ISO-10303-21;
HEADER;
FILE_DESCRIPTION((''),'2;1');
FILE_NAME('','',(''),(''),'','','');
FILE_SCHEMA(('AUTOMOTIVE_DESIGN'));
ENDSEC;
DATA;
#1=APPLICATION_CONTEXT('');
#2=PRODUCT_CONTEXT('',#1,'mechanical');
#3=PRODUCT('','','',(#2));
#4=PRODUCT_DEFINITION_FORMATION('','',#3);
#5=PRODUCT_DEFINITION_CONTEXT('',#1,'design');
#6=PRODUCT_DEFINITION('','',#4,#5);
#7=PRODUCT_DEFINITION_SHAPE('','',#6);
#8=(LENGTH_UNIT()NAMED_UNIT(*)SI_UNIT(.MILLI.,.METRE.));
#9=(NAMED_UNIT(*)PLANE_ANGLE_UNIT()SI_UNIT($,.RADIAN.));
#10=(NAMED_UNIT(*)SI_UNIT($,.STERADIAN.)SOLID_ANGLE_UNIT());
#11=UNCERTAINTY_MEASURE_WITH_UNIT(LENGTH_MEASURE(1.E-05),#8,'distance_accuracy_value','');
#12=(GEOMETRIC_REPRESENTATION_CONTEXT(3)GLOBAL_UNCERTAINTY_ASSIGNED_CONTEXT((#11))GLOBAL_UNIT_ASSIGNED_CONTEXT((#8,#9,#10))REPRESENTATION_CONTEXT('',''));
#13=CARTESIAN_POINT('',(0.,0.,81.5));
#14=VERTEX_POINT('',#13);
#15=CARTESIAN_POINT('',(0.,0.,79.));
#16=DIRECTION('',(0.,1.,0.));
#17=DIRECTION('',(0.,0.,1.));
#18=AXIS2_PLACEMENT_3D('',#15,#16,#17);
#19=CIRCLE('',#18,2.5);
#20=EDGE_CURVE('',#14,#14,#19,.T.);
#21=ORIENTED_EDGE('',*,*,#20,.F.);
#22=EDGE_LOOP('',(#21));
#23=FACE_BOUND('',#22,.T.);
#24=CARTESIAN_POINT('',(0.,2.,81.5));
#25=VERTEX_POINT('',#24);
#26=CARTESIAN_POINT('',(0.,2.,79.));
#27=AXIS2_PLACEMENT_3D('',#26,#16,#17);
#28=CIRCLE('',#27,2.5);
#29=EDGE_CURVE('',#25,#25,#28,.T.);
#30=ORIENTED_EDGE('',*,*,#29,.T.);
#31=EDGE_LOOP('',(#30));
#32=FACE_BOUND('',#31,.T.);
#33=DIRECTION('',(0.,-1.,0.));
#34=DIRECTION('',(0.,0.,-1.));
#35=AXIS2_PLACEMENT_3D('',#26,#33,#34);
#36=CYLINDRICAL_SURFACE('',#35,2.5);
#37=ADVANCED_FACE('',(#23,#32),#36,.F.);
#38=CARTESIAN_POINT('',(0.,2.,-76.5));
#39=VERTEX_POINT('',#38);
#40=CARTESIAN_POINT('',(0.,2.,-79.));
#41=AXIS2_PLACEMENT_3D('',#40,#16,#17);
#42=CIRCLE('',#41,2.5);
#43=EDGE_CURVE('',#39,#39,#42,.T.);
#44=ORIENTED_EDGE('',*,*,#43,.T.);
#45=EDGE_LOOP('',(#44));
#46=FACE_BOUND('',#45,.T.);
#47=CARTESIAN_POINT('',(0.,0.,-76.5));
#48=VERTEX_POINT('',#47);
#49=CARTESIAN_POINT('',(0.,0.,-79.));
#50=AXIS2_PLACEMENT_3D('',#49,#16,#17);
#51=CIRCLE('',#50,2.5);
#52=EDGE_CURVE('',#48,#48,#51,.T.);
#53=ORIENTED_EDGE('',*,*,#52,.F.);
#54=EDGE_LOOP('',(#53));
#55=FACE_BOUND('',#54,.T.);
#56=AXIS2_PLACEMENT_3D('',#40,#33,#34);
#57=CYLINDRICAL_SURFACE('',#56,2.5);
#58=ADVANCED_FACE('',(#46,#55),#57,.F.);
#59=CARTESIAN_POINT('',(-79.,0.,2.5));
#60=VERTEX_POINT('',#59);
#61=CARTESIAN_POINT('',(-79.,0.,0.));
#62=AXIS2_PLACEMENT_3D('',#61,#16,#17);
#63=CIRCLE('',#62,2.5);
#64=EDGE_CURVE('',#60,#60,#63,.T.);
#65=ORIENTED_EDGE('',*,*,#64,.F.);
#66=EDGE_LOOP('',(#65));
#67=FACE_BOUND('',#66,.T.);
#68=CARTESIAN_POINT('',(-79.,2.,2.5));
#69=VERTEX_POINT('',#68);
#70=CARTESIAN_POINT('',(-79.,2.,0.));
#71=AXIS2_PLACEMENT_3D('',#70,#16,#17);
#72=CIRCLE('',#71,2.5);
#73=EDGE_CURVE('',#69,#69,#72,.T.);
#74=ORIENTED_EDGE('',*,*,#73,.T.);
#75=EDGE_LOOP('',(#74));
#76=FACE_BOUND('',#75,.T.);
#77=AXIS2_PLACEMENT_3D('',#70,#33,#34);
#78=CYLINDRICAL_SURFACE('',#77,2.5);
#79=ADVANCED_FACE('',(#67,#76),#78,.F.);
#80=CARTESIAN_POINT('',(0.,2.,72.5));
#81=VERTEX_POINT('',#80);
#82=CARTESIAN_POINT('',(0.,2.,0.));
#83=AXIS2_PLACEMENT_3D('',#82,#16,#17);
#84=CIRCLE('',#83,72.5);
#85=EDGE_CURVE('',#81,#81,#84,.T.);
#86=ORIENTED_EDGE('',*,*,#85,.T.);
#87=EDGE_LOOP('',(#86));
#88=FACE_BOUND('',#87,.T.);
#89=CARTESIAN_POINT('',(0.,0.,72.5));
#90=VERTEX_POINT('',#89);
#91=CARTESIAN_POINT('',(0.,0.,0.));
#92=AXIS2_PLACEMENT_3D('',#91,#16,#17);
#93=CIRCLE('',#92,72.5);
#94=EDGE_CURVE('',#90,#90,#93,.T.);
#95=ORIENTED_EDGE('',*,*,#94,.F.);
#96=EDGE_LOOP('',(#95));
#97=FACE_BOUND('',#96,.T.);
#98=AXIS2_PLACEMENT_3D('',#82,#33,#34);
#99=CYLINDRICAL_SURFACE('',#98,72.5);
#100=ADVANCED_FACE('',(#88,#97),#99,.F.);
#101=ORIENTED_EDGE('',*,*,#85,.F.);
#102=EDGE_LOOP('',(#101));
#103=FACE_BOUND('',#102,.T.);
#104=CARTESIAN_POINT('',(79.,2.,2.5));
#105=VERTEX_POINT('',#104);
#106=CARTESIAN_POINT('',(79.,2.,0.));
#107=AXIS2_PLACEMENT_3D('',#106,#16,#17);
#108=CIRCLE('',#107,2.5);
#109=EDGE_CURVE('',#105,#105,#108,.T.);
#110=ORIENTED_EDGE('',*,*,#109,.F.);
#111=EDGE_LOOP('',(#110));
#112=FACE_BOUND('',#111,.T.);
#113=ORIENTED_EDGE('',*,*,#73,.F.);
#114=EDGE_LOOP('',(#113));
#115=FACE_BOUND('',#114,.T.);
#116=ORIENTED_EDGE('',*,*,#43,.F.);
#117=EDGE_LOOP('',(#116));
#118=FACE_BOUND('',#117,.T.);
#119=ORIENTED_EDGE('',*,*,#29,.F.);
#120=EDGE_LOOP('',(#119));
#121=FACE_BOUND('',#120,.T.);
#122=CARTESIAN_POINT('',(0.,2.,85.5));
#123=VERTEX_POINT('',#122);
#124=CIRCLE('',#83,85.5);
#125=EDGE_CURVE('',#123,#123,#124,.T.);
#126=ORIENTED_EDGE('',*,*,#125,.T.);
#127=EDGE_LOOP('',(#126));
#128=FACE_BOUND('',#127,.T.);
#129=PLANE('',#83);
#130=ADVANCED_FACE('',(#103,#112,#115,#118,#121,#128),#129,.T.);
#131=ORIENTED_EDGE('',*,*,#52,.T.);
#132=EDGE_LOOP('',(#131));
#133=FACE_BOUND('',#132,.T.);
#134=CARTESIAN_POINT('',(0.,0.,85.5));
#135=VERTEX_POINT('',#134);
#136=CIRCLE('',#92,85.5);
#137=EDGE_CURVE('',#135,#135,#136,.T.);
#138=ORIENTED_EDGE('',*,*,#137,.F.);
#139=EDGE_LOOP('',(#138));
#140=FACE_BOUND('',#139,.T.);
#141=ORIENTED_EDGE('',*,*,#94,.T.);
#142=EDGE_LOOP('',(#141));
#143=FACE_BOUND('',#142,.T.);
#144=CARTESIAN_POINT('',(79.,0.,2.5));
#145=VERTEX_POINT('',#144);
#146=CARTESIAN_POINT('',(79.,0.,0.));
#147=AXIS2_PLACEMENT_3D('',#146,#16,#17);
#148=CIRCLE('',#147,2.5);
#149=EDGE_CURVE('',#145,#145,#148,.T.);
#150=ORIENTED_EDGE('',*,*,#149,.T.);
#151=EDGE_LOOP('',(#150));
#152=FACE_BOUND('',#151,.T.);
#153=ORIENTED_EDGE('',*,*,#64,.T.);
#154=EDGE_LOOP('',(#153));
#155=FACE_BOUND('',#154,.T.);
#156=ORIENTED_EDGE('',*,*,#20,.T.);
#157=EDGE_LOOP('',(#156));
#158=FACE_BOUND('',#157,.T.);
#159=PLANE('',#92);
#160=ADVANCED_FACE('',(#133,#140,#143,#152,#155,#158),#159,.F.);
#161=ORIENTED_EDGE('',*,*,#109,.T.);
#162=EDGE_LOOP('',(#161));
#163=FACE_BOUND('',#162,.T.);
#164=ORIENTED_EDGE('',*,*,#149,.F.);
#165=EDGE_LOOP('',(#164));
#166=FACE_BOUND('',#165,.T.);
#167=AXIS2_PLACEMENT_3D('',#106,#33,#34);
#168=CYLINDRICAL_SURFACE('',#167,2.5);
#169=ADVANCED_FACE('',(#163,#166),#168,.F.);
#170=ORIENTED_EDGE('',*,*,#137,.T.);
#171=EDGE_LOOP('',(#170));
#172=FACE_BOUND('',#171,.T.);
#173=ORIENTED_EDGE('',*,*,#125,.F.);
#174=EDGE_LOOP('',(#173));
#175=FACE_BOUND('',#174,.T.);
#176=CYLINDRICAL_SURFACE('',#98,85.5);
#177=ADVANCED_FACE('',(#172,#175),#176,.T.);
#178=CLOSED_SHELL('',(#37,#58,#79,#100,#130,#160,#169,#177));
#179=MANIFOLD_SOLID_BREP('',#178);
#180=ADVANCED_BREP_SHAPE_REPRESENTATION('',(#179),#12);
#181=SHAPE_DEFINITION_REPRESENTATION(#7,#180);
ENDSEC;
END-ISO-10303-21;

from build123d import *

# Parameters (mm, degrees)
SKETCH_1_R      = 85.5
SKETCH_1_R_2    = 72.5
SKETCH_1_R_3    = 2.5
EXTRUDE_1_DEPTH = 2


with BuildPart() as part:
    # 草图1 → 凸台-拉伸1 (new body)
    with BuildSketch(Plane(origin=(0, 0, 0), x_dir=(1, 0, 0), z_dir=(0, 1, 0))):
        with Locations(Location((0, 0, 0), (0, 0, 270))):
            Circle(SKETCH_1_R)
        with Locations(Location((0, 0, 0), (0, 0, 270))):
            Circle(SKETCH_1_R_2, mode=Mode.SUBTRACT)
        with Locations(Location((0, 79, 0), (0, 0, 270))):
            Circle(SKETCH_1_R_3, mode=Mode.SUBTRACT)
        with Locations(Location((79, 0, 0), (0, 0, 270))):
            Circle(SKETCH_1_R_3, mode=Mode.SUBTRACT)
        with Locations(Location((0, -79, 0), (0, 0, 270))):
            Circle(SKETCH_1_R_3, mode=Mode.SUBTRACT)
        with Locations(Location((-79, 0, 0), (0, 0, 270))):
            Circle(SKETCH_1_R_3, mode=Mode.SUBTRACT)
    extrude(amount=EXTRUDE_1_DEPTH)


solid = part.part
